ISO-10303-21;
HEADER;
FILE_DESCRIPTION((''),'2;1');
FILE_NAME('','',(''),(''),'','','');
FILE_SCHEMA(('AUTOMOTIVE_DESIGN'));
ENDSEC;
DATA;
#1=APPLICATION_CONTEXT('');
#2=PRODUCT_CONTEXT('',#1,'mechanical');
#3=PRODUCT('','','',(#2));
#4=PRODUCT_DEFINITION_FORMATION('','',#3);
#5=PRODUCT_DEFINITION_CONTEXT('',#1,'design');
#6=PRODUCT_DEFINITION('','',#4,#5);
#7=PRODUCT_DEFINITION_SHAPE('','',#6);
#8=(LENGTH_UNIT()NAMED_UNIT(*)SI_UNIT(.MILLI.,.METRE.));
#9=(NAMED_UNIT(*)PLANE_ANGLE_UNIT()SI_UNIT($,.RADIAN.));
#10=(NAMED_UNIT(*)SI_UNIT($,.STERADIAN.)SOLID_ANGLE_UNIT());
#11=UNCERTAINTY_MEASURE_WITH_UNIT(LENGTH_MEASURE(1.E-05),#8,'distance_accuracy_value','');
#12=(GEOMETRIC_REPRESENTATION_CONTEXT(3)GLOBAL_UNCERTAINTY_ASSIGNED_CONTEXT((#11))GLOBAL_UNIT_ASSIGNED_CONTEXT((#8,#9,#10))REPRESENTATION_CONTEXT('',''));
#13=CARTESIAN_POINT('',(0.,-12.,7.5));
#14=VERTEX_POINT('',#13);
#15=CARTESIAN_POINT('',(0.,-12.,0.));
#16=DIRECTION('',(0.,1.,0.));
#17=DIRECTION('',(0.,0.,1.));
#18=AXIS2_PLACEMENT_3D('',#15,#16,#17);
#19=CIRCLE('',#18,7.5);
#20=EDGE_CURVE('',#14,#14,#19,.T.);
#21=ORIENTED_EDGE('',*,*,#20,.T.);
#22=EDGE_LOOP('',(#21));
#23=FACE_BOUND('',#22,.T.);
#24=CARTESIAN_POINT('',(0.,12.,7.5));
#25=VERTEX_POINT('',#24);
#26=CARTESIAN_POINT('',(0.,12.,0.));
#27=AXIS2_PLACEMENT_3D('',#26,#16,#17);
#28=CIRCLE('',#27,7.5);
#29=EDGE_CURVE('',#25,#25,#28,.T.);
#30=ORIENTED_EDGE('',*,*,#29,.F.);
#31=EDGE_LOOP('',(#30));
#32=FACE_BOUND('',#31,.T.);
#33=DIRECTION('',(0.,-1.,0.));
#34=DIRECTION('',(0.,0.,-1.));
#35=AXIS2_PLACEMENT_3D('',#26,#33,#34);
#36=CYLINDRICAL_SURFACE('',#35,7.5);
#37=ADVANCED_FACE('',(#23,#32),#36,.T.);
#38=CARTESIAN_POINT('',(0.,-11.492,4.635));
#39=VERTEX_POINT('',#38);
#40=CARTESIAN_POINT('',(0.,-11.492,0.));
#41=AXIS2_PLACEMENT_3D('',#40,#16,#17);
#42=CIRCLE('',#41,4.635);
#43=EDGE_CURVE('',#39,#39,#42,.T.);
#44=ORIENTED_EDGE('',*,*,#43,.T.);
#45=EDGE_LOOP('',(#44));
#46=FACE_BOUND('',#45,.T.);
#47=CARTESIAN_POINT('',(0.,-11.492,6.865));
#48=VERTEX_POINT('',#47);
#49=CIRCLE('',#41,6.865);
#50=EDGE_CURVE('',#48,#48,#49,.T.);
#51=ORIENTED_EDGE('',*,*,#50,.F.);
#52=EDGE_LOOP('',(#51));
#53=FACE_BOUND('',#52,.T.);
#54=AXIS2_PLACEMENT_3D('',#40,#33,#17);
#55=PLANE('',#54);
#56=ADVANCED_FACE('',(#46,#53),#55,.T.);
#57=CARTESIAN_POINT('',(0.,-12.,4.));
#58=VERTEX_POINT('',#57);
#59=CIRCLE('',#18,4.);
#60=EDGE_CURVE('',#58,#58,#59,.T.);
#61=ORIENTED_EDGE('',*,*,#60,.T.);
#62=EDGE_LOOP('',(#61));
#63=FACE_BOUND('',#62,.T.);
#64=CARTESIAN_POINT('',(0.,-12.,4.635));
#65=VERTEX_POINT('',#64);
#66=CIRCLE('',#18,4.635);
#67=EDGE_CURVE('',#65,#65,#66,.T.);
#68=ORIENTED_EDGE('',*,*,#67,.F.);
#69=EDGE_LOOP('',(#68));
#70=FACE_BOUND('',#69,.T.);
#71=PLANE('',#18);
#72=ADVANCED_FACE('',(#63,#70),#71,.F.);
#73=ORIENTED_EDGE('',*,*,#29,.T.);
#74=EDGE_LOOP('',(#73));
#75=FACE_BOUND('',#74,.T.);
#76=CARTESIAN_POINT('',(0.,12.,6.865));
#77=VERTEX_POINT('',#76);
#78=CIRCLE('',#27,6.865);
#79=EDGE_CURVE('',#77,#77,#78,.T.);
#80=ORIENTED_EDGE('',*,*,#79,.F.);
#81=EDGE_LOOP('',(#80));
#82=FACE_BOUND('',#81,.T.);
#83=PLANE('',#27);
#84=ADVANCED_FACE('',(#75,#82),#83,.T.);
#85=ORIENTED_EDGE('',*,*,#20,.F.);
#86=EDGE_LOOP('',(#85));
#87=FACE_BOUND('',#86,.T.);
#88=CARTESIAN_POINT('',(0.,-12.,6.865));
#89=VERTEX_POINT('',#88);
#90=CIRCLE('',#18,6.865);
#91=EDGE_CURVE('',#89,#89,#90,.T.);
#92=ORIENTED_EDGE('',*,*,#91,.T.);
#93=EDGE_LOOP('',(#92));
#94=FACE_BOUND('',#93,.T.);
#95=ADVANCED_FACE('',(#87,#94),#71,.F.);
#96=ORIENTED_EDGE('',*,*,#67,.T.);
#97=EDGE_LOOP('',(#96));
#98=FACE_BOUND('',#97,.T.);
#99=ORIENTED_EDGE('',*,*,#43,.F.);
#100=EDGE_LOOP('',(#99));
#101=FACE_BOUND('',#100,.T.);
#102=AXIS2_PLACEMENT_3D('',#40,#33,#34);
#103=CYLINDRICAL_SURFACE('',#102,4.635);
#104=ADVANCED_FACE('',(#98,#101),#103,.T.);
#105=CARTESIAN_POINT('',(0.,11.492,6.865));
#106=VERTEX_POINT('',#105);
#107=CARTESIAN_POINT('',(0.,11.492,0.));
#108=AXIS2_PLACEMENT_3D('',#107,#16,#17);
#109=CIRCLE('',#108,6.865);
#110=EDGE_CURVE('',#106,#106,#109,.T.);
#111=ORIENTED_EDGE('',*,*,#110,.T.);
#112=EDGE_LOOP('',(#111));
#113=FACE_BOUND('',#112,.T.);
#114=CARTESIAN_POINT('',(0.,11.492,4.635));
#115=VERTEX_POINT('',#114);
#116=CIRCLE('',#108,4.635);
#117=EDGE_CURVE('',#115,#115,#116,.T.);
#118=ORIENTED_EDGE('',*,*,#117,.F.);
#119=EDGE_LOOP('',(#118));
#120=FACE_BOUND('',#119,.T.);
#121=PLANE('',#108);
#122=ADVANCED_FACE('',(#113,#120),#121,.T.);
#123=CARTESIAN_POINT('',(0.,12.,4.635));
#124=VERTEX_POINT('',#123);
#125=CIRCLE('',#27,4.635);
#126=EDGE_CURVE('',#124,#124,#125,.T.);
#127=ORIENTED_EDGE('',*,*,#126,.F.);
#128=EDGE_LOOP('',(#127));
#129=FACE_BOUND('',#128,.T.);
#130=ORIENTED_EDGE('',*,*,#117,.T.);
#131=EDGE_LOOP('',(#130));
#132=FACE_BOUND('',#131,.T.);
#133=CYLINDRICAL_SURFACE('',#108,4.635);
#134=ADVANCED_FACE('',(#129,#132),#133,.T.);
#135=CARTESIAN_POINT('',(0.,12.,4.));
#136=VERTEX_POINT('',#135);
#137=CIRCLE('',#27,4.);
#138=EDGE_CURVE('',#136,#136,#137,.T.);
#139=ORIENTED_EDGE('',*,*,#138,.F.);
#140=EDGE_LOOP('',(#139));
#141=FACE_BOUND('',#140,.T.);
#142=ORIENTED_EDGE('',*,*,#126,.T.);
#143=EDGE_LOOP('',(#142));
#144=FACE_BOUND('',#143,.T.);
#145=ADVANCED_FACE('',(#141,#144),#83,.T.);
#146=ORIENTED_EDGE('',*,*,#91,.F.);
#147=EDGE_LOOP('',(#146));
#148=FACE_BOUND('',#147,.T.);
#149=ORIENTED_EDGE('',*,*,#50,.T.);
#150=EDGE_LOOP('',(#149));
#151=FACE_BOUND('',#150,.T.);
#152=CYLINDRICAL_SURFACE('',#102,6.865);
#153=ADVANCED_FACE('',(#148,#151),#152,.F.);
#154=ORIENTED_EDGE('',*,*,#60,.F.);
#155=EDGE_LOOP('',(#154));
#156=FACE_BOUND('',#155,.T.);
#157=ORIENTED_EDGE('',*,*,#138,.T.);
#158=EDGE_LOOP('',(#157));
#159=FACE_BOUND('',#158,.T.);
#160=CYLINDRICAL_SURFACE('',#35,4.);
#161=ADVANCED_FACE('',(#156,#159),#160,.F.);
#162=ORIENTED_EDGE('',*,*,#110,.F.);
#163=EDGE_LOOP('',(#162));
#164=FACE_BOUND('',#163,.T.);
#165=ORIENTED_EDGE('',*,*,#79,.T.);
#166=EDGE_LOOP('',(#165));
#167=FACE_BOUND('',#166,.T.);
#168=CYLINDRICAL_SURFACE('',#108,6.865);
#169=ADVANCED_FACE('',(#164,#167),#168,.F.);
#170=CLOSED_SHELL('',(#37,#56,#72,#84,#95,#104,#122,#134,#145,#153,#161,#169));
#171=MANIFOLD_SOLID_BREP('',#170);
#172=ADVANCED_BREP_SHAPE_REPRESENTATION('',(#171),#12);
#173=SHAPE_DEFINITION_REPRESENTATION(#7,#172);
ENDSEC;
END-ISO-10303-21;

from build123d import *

# Parameters (mm, degrees)
SKETCH1_R           = 7.5
SKETCH1_R_2         = 4
BOSS_EXTRUDE1_DEPTH = 12
SKETCH2_R           = 6.865
SKETCH2_R_2         = 4.635
CUT_EXTRUDE1_DEPTH  = 0.508


with BuildPart() as part:
    # Sketch1 → Boss-Extrude1 (new, symmetric)
    with BuildSketch(Plane(origin=(0, 0, 0), x_dir=(1, 0, 0), z_dir=(0, 1, 0))):
        with Locations(Location((0, 0, 0), (0, 0, 270))):
            Circle(SKETCH1_R)
        with Locations(Location((0, 0, 0), (0, 0, 270))):
            Circle(SKETCH1_R_2, mode=Mode.SUBTRACT)
    extrude(amount=BOSS_EXTRUDE1_DEPTH, both=True)

    # Sketch2 → Cut-Extrude1 (cut)
    with BuildSketch(Plane(origin=(0, 12, 0), x_dir=(1, 0, 0), z_dir=(0, 1, 0))):
        with Locations(Location((0, 0, 0), (0, 0, 270))):
            Circle(SKETCH2_R)
        with Locations(Location((0, 0, 0), (0, 0, 270))):
            Circle(SKETCH2_R_2, mode=Mode.SUBTRACT)
    cut_extrude1 = extrude(amount=-CUT_EXTRUDE1_DEPTH, mode=Mode.SUBTRACT)

    # Mirror1: Cut-Extrude1 across plane
    add(cut_extrude1.mirror(Plane.ZX), mode=Mode.SUBTRACT)


solid = part.part
